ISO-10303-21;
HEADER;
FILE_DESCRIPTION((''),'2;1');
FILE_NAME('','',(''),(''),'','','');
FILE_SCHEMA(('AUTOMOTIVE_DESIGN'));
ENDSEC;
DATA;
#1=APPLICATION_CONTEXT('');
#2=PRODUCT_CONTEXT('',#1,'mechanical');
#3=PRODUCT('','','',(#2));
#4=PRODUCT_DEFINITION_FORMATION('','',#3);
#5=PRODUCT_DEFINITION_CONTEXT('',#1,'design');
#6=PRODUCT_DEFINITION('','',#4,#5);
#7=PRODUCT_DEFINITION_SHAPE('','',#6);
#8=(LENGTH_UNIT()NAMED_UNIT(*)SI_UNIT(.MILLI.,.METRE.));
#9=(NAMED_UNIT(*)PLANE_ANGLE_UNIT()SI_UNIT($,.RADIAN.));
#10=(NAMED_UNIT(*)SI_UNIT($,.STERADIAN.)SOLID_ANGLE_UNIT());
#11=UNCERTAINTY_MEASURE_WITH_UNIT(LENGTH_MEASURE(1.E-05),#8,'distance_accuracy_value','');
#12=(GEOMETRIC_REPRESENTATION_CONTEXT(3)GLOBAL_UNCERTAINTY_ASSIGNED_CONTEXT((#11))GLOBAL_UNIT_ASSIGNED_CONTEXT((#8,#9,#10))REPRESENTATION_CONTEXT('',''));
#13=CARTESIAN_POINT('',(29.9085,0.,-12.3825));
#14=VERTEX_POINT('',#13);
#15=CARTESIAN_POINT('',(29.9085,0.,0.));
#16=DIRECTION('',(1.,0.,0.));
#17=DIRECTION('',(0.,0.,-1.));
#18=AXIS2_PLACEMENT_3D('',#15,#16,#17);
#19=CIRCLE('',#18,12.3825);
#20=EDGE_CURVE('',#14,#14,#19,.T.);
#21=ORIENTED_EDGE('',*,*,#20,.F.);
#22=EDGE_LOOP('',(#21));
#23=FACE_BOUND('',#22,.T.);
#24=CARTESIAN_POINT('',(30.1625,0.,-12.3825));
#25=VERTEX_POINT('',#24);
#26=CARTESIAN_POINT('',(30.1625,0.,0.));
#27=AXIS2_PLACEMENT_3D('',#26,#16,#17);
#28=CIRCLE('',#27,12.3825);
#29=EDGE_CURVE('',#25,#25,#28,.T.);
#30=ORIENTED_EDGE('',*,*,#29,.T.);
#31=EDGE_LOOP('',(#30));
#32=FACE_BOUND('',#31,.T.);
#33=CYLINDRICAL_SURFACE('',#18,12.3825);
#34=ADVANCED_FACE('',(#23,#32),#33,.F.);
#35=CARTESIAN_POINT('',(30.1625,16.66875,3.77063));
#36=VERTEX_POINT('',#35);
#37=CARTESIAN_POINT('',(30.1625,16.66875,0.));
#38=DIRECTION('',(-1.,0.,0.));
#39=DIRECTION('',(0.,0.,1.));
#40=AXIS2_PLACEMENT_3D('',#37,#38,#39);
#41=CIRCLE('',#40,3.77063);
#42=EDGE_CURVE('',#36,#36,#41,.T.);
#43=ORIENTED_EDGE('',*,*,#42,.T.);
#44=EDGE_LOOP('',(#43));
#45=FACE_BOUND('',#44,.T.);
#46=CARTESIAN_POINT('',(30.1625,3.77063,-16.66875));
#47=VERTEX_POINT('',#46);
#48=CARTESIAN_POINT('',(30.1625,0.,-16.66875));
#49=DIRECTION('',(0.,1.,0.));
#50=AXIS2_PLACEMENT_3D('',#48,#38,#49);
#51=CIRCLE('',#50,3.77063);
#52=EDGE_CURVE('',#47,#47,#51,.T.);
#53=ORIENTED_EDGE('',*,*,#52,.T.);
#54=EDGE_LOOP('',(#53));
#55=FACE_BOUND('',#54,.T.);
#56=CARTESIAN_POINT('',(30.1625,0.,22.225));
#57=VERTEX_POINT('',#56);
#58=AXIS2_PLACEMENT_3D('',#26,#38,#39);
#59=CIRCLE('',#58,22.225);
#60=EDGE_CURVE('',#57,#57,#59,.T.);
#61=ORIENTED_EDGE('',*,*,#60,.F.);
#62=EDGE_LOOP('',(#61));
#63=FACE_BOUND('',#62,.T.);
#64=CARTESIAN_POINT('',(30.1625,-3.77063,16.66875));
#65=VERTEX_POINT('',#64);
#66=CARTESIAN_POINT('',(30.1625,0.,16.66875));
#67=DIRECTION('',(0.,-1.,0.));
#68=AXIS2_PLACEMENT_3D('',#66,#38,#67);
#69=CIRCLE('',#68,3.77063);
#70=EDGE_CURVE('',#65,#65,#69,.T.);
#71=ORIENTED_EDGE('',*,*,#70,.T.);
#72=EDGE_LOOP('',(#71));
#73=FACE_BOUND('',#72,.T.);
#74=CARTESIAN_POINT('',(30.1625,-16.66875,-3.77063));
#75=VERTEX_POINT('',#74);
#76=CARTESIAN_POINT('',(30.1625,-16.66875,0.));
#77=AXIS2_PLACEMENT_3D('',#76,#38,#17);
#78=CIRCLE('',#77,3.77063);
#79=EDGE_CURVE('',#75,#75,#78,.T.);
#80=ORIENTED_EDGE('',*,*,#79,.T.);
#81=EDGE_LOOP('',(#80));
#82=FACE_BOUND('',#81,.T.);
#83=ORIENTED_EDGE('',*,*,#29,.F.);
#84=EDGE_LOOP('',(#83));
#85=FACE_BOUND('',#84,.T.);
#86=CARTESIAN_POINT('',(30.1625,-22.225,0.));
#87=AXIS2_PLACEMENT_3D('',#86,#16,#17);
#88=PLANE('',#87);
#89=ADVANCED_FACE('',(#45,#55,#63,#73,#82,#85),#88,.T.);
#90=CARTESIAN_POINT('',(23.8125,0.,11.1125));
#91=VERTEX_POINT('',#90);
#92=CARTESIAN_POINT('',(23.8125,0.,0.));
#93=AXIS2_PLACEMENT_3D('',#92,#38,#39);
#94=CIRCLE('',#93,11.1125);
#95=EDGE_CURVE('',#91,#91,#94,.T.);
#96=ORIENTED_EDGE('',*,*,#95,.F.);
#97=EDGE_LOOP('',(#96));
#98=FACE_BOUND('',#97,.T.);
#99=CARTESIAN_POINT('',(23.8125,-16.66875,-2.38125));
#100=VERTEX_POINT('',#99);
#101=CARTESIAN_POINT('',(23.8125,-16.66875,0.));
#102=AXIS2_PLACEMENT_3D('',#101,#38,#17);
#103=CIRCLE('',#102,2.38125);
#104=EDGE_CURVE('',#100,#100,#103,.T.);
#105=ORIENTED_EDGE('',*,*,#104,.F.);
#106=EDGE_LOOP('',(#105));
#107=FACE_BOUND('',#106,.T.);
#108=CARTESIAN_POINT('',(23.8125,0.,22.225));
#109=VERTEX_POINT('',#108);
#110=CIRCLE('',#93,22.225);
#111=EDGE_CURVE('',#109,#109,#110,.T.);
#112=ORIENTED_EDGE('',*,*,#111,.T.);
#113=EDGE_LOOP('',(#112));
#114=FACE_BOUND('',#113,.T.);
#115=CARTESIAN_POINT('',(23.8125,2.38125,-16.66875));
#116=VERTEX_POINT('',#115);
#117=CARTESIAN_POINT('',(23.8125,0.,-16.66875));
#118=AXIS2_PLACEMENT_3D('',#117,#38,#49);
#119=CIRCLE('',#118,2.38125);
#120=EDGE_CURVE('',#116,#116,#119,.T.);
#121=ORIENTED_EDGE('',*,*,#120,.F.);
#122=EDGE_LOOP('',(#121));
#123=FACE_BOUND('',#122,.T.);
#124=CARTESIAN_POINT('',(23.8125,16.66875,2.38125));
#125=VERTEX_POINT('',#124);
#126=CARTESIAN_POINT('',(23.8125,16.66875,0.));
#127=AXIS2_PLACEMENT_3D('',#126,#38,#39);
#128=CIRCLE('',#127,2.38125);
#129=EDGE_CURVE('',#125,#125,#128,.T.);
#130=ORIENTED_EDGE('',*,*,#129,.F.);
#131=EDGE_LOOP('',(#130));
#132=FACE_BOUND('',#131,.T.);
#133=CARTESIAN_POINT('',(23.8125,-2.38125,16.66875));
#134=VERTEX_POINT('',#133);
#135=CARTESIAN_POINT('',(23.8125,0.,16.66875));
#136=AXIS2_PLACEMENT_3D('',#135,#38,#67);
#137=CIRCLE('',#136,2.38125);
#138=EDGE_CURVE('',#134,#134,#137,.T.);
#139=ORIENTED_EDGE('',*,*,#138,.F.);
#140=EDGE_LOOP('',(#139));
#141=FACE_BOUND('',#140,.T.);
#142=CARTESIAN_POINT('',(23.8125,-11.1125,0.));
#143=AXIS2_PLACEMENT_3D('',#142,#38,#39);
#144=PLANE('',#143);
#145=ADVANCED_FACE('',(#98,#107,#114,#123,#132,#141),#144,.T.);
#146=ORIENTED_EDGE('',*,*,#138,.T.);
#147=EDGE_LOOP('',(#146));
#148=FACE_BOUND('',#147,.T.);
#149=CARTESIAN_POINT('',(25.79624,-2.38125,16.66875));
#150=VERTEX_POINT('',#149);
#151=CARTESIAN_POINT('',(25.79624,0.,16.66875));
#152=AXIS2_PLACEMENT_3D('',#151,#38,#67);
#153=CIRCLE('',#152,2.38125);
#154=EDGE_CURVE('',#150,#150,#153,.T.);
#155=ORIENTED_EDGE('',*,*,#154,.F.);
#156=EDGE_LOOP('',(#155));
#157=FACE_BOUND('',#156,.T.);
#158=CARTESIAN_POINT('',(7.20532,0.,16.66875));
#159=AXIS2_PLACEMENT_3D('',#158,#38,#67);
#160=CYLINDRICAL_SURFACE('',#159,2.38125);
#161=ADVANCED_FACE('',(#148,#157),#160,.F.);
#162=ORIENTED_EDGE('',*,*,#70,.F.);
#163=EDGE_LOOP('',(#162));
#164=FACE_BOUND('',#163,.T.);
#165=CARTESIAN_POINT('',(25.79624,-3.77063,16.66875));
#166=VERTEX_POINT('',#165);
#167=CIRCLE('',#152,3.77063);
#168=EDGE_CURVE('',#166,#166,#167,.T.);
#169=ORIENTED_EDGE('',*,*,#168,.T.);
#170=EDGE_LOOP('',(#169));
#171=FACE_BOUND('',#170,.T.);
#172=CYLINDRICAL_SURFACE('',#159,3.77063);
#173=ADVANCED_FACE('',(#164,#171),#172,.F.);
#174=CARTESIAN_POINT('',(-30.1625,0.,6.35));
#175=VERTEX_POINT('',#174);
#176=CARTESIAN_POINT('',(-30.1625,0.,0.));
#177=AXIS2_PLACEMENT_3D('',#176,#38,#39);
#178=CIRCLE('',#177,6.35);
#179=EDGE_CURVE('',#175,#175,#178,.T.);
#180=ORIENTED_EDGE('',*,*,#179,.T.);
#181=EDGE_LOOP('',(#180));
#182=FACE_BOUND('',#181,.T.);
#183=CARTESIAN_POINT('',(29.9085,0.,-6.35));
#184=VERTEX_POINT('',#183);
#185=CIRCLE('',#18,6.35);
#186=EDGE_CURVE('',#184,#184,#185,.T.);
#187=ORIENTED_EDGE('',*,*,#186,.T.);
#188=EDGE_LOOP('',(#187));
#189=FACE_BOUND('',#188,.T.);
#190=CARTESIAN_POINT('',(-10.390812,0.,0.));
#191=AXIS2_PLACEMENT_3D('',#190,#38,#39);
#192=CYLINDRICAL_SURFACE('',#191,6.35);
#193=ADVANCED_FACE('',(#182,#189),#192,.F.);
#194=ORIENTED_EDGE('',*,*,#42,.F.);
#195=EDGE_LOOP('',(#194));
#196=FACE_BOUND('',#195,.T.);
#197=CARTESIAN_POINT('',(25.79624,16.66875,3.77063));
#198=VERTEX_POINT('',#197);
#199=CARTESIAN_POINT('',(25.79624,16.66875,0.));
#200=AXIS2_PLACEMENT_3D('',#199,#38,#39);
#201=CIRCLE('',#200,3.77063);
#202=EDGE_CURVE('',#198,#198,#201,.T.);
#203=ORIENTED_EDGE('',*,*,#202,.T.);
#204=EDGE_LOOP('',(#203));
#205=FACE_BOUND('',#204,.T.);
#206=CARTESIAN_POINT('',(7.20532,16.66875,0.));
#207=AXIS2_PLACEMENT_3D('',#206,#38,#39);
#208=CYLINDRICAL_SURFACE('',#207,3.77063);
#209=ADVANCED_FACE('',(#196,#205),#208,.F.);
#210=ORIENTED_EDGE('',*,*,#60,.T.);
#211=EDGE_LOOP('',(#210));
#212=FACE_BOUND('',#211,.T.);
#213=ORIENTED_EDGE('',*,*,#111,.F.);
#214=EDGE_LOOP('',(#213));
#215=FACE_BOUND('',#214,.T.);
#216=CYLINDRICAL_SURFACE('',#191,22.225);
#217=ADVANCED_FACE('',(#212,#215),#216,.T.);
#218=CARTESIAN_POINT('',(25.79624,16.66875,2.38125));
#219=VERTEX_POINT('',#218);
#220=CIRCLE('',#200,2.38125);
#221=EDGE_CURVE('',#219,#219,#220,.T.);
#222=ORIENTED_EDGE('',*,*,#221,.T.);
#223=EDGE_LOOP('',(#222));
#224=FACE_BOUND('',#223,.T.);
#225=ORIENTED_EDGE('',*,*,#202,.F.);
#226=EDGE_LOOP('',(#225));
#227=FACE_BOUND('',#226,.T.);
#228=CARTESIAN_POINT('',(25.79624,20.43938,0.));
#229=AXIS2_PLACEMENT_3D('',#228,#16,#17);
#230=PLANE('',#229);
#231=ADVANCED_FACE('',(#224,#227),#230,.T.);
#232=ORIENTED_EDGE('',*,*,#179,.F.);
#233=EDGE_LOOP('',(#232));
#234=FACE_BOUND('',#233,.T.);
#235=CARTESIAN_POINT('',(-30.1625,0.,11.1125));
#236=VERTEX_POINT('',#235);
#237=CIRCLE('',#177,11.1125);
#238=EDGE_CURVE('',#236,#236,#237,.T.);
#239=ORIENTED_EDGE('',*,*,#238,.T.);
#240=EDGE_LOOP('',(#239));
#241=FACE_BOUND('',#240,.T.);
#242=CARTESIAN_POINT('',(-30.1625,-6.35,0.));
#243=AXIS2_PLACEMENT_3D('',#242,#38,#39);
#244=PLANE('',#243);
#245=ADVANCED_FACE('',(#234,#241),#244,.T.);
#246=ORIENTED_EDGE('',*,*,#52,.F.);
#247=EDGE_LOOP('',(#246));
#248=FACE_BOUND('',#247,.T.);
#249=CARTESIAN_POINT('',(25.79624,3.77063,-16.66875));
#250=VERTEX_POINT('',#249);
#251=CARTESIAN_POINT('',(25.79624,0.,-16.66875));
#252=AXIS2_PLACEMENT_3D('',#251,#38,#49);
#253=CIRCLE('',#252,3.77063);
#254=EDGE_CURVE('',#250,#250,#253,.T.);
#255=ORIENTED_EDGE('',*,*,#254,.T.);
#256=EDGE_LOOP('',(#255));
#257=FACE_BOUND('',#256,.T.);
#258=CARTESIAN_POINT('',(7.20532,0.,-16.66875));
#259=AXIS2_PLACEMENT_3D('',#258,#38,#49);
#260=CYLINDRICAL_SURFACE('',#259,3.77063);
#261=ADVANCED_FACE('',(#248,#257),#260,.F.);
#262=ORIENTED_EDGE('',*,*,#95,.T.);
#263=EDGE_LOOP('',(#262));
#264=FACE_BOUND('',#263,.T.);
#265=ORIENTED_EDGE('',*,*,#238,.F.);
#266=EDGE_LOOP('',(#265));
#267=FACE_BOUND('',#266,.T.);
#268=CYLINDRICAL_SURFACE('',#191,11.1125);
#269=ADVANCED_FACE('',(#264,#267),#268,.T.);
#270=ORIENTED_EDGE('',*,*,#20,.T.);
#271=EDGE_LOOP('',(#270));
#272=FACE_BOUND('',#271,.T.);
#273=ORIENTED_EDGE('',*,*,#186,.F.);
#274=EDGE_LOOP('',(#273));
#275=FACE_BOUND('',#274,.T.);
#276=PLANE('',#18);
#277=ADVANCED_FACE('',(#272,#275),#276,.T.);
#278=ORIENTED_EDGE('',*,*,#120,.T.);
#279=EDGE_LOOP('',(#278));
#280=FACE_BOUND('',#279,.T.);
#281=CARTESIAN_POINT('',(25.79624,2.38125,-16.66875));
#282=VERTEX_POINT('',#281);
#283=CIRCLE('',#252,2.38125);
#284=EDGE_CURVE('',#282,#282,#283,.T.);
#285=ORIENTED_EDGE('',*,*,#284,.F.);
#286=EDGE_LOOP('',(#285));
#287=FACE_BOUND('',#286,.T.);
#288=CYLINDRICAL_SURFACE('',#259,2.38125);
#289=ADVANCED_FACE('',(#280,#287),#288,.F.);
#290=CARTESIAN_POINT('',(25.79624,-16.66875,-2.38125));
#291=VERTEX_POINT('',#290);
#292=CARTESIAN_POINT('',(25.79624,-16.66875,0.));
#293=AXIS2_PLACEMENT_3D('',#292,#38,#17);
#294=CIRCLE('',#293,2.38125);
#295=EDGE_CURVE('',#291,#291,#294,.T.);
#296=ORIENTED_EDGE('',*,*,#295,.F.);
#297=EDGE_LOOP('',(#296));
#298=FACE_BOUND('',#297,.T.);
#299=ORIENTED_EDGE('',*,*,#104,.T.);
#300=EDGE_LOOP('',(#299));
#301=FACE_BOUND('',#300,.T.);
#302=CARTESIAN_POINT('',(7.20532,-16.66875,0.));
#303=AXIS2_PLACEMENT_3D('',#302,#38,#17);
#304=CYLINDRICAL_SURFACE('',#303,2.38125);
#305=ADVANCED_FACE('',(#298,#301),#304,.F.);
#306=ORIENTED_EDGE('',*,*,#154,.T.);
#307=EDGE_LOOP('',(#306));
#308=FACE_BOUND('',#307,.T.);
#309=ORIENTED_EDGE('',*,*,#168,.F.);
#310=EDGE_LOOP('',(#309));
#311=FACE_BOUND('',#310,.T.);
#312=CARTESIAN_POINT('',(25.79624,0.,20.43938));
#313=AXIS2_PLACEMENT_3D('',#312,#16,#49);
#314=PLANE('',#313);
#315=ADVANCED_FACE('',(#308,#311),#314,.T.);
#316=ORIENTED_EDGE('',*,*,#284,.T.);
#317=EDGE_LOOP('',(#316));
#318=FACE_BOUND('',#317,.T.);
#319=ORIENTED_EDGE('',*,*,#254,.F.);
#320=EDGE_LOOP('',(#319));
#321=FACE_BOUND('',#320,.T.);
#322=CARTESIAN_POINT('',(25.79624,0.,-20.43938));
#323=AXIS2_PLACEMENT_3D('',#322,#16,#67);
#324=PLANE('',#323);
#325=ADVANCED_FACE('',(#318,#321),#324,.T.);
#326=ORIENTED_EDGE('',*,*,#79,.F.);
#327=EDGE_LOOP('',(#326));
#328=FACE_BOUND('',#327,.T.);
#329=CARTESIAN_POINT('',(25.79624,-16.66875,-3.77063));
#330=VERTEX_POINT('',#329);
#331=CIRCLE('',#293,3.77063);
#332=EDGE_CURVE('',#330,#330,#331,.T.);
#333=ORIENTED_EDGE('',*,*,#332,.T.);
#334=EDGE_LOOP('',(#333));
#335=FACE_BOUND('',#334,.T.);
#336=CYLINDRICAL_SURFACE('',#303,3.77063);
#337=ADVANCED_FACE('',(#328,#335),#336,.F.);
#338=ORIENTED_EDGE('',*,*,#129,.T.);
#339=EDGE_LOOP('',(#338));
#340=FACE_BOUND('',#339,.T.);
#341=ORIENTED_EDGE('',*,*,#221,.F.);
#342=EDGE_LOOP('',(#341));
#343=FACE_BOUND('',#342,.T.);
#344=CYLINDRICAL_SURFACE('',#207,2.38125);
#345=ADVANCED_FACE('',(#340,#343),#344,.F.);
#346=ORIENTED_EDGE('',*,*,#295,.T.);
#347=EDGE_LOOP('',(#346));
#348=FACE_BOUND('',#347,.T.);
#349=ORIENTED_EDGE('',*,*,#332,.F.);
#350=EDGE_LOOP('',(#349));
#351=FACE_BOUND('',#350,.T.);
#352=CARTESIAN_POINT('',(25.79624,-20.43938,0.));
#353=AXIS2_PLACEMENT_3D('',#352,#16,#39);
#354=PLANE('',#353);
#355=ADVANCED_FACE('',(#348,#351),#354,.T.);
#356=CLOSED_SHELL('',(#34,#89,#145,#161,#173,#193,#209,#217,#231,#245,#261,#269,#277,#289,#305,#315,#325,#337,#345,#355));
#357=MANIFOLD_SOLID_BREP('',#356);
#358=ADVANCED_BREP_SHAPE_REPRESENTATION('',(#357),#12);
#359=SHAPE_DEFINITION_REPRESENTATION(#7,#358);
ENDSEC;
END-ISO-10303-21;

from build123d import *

# Parameters (mm, degrees)
MOUNTING_HOLE_PATTERN_COUNT = 4
SKETCH9_R                   = 12.3825
SHAFT_DIA_DEPTH             = 0.254


with BuildPart() as part:
    # Sketch1 → BASE-FLANGE (revolve)
    with BuildSketch(Plane.XY, mode=Mode.PRIVATE) as base_flange_sk:
        Polygon((-30.1625, -11.1125), (23.8125, -11.1125), (23.8125, -22.225), (30.1625, -22.225), (30.1625, -6.35), (-30.1625, -6.35), align=None)
    revolve(base_flange_sk.sketch.rotate(Axis((-10.390811595, 0, 0), (1, 0, 0)), 270), axis=Axis((-10.390811595, 0, 0), (1, 0, 0)))  # turned: the seam where the file's is

    # Sketch10 → MOUNTING-HOLE (revolve, cut)
    with BuildSketch(Plane.XY, mode=Mode.PRIVATE) as mounting_hole_sk:
        Polygon((30.1625, 20.43938), (25.79624, 20.43938), (25.79624, 19.05), (23.8125, 19.05), (23.8125, 16.66875), (30.1625, 16.66875), align=None)
    mounting_hole = revolve(mounting_hole_sk.sketch.rotate(Axis((7.205320248, 16.66875, 0), (1, 0, 0)), 90), axis=Axis((7.205320248, 16.66875, 0), (1, 0, 0)), mode=Mode.SUBTRACT)  # turned: the seam where the file's is

    # MOUNTING-HOLE PATTERN: MOUNTING-HOLE ×4 about axis
    mounting_hole_pattern_axis = Axis((0, 0, 0), (1, 0, 0))
    for i in range(1, MOUNTING_HOLE_PATTERN_COUNT):
        add(mounting_hole.rotate(mounting_hole_pattern_axis, i * 360 / MOUNTING_HOLE_PATTERN_COUNT), mode=Mode.SUBTRACT)

    # Sketch9 → SHAFT DIA (cut)
    with BuildSketch(Plane(origin=(30.1625, 0, 0), x_dir=(0, 0, -1), z_dir=(1, 0, 0))):
        Circle(SKETCH9_R)
    extrude(amount=-SHAFT_DIA_DEPTH, mode=Mode.SUBTRACT)


solid = part.part
